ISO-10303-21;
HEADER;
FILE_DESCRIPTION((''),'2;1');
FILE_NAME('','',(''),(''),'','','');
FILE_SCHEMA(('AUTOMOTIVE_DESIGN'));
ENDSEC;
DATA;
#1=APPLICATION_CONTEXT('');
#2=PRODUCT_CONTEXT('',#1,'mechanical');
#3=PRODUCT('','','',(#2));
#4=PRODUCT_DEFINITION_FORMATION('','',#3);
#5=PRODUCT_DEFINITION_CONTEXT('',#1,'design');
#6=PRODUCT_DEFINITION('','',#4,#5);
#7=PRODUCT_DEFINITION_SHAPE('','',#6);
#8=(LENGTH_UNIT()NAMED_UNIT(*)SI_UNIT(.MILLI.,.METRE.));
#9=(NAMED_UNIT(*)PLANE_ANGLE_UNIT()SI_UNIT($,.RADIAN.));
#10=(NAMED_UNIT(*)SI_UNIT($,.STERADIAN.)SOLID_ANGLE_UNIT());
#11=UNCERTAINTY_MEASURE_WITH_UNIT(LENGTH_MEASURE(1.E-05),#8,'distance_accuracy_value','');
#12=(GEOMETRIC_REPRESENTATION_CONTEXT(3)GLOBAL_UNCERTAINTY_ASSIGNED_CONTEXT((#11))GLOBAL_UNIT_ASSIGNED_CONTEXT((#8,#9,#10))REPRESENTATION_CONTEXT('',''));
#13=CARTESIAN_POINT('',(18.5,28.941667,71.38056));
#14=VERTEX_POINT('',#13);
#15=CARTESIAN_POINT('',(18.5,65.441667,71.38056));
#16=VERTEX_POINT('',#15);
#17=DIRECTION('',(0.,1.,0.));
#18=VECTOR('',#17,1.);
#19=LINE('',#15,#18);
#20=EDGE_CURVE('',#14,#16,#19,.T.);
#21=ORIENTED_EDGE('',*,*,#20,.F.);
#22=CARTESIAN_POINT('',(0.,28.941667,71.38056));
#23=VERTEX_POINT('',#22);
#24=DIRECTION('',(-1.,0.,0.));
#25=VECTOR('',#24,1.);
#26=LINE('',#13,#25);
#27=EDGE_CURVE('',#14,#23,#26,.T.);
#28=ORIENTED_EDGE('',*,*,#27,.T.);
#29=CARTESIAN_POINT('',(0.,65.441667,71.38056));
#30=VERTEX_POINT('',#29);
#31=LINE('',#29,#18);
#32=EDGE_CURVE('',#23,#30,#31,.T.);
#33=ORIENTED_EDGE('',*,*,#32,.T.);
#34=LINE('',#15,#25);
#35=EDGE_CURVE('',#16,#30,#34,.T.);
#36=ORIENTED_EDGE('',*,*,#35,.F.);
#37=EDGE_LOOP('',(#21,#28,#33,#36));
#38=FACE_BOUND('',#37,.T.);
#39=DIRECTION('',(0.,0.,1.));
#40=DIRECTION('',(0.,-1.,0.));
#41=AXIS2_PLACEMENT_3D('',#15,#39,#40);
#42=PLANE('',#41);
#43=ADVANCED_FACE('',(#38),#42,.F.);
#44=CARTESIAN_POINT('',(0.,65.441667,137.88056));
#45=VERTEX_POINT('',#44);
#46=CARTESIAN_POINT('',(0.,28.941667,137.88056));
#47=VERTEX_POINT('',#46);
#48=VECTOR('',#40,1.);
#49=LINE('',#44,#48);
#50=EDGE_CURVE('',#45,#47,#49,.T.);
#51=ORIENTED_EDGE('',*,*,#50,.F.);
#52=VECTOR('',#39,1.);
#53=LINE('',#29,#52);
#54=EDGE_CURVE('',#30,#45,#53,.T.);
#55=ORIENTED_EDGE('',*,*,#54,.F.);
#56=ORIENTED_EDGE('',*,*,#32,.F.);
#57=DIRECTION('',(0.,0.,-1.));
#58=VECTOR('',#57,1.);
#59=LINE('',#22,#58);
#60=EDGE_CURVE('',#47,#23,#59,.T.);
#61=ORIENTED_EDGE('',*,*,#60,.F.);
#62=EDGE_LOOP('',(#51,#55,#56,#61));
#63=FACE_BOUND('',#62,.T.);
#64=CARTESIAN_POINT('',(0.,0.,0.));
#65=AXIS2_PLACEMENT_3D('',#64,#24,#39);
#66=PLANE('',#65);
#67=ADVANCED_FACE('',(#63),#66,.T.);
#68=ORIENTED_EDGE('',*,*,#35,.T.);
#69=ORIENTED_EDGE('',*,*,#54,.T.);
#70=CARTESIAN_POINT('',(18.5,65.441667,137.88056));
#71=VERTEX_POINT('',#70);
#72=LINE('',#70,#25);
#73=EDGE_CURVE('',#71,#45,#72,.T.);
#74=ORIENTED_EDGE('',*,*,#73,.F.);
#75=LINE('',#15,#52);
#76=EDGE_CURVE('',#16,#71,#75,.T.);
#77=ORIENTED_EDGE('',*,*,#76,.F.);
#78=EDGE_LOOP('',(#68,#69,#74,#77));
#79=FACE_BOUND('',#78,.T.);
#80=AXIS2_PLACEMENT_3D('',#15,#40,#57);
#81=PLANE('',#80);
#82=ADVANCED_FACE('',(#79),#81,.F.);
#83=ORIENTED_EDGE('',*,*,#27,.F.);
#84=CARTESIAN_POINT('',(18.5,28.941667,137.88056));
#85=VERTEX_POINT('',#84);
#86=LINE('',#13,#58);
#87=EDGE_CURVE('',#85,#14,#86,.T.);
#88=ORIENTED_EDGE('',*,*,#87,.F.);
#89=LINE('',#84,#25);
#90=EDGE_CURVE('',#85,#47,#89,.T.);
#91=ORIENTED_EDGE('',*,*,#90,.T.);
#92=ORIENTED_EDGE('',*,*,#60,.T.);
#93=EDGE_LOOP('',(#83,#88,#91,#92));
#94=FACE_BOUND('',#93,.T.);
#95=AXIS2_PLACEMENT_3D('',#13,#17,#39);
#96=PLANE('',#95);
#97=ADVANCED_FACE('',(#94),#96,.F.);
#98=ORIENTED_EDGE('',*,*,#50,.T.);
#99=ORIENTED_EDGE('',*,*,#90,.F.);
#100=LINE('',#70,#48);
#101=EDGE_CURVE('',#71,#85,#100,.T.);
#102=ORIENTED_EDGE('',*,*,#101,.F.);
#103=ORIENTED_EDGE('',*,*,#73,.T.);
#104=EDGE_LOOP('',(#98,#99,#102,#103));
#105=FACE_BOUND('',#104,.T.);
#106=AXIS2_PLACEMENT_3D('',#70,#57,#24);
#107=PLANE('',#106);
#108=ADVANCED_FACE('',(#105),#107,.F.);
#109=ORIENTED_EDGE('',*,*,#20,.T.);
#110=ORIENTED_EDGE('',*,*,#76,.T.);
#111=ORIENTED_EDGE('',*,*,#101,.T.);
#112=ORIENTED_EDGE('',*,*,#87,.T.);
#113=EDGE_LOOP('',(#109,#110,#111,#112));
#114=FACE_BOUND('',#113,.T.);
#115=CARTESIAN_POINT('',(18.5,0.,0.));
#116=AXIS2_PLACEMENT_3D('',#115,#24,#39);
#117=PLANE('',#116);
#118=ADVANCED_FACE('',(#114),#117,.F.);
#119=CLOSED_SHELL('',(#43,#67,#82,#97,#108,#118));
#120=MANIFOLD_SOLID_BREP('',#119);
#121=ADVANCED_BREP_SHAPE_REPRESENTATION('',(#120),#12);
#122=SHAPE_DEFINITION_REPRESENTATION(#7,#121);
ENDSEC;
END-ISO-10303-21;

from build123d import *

# Parameters (mm, degrees)
SKETCH_1_W      = 66.5
SKETCH_1_H      = 36.5
EXTRUDE_1_DEPTH = 18.5


with BuildPart() as part:
    # 草图1 → 凸台-拉伸1 (new body)
    with BuildSketch(Plane(origin=(0, 0, 0), x_dir=(0, 0, -1), z_dir=(1, 0, 0))):
        with Locations((-104.630560492, 47.1916666)):
            Rectangle(SKETCH_1_W, SKETCH_1_H)
    extrude(amount=EXTRUDE_1_DEPTH)


solid = part.part
